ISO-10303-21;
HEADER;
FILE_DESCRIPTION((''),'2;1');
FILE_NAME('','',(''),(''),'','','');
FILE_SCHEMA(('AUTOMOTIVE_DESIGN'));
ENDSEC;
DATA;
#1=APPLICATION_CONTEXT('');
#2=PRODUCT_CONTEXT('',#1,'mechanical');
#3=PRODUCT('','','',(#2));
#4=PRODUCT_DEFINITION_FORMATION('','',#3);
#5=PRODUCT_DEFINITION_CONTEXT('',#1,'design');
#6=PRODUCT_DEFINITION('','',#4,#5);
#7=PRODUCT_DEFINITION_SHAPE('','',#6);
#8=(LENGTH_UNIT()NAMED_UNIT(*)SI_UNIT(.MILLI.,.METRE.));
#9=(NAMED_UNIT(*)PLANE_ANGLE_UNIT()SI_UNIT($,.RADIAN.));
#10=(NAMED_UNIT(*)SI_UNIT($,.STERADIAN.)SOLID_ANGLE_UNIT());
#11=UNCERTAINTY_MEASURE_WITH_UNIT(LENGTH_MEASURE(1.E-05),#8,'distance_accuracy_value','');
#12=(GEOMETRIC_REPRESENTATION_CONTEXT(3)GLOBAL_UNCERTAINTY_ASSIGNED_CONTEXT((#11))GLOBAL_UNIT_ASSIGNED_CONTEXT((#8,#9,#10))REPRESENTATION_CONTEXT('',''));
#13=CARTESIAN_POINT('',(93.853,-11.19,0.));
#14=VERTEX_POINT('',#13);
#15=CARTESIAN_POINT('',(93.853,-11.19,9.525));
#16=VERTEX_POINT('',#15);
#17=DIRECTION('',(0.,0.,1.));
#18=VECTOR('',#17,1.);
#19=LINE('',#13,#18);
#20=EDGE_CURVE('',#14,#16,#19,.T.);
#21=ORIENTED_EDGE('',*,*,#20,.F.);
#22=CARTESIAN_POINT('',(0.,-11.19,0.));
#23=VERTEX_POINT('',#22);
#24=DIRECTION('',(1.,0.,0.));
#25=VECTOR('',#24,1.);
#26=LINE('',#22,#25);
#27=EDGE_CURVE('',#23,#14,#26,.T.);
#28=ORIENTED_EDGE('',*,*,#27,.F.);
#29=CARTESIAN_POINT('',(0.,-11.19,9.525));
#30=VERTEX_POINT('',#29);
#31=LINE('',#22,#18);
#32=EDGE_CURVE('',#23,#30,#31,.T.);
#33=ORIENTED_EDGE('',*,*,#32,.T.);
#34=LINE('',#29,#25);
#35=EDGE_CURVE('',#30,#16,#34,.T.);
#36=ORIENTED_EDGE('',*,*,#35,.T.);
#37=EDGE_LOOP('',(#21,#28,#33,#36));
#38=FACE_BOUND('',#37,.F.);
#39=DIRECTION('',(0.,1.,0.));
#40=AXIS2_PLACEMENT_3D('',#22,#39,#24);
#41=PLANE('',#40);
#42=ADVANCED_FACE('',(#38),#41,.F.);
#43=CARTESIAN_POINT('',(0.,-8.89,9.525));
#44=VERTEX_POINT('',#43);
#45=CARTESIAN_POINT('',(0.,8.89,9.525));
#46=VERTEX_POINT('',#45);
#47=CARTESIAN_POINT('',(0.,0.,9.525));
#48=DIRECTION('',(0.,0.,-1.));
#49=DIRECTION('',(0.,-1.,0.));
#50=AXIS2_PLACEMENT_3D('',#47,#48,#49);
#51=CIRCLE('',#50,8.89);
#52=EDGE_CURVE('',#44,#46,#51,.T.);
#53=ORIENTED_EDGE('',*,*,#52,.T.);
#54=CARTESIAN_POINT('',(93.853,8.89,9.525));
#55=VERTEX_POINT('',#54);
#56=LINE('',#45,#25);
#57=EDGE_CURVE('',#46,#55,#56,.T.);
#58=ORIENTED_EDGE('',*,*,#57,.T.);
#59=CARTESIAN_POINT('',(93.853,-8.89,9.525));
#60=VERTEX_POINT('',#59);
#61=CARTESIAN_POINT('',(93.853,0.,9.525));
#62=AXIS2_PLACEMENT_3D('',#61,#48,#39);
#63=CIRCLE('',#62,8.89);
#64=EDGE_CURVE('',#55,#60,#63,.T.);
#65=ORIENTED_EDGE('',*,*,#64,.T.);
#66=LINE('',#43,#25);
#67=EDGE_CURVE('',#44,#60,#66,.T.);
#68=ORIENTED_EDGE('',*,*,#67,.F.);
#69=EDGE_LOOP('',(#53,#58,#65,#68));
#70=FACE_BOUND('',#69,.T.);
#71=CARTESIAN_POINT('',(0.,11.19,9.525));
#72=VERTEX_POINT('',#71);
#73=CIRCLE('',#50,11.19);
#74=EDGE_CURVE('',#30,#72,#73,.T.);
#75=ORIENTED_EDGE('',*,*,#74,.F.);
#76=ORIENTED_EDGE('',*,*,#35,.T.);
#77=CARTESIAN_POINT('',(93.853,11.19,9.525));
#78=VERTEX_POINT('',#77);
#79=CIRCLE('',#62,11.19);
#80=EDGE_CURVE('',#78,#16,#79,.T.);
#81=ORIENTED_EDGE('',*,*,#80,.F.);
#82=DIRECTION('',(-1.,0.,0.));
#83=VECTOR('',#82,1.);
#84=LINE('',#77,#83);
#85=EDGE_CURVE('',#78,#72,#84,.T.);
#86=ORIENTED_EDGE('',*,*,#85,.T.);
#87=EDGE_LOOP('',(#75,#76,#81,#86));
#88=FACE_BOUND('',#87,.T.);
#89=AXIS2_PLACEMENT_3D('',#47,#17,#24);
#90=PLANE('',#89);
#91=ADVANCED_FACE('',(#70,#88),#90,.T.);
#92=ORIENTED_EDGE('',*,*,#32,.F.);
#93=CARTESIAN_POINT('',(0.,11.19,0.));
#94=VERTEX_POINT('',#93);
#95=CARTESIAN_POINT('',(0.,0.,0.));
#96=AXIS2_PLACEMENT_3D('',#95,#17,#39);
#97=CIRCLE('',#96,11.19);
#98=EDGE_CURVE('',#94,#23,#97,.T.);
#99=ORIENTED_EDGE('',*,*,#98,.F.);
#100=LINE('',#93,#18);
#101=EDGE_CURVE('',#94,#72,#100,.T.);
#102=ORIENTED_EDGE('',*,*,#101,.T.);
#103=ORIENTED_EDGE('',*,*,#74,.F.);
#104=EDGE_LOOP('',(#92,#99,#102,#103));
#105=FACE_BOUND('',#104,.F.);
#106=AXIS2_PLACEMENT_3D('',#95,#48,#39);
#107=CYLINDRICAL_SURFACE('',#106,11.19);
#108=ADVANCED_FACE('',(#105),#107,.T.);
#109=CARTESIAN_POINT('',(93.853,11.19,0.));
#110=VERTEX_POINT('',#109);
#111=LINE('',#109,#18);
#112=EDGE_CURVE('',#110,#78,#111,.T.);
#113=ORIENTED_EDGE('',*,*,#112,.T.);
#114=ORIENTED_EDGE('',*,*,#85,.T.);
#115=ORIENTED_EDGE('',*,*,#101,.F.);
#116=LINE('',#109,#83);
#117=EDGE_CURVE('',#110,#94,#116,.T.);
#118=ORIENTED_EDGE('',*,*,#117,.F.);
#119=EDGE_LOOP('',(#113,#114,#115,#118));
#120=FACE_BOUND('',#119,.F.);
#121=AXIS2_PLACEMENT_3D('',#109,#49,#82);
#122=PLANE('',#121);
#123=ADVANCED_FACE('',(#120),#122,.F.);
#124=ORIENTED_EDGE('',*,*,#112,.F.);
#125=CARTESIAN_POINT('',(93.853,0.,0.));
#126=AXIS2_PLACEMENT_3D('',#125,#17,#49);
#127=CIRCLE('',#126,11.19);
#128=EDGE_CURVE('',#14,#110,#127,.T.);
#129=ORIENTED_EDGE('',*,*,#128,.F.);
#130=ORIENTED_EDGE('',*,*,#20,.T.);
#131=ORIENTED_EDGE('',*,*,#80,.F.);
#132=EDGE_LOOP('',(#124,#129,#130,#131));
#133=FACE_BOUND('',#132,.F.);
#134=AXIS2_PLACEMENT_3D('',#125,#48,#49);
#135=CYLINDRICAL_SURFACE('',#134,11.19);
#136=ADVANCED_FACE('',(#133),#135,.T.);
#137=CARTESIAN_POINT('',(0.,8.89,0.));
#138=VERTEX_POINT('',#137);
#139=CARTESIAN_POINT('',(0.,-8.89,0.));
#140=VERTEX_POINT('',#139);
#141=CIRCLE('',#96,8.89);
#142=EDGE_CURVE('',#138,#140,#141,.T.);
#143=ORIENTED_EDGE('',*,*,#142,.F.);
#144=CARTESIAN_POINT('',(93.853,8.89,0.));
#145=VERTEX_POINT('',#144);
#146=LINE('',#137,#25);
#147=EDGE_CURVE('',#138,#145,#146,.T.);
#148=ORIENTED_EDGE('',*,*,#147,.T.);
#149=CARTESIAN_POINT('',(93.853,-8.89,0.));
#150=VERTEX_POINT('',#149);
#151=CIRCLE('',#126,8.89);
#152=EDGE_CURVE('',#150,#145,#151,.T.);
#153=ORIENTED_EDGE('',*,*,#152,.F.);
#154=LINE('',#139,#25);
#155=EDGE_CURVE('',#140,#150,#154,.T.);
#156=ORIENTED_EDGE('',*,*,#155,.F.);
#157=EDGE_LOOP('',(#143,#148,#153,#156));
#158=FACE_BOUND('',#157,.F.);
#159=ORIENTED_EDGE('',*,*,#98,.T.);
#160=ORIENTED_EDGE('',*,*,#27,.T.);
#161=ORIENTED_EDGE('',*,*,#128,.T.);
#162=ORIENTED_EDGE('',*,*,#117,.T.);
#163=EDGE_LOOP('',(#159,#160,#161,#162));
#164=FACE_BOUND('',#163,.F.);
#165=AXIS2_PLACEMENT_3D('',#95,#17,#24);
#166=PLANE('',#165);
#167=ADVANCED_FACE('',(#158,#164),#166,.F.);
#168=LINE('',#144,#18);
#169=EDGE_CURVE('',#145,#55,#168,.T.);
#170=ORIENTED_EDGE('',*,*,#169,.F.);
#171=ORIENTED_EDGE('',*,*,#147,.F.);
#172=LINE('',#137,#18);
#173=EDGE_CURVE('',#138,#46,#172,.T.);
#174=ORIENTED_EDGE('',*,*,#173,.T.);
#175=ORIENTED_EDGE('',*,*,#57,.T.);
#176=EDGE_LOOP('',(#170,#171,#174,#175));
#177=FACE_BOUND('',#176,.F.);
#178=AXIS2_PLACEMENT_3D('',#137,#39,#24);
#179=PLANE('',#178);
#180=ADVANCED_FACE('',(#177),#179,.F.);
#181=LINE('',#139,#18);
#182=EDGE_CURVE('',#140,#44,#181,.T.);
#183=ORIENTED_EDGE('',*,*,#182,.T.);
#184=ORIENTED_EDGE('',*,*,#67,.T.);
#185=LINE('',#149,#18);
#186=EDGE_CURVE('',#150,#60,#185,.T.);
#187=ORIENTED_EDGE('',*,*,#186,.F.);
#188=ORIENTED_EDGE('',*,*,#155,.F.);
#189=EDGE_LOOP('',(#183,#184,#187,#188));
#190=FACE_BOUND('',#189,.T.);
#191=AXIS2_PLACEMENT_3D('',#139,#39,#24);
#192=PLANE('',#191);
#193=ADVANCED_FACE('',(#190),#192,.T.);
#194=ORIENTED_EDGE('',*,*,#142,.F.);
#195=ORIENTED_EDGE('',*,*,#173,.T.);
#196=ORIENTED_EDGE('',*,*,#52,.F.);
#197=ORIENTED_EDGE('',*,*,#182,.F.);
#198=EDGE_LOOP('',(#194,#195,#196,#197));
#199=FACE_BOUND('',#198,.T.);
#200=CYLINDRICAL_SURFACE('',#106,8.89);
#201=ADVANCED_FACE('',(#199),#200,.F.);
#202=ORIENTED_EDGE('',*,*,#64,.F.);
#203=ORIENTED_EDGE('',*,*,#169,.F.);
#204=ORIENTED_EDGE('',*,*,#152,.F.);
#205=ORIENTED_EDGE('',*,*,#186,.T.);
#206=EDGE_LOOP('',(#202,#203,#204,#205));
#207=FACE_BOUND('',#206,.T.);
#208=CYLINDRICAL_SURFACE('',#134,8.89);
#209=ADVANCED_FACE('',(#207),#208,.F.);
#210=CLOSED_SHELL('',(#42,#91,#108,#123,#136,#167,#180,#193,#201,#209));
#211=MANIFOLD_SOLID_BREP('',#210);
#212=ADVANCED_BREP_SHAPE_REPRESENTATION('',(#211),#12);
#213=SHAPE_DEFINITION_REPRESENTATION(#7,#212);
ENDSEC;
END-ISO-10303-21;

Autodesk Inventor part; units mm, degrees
ref_plane "YZ Plane" through (0, 0, 0) normal (1, 0, 0) x (0, 1, 0)
ref_plane "XZ Plane" through (0, 0, 0) normal (0, 1, 0) x (-1, 0, 0)
ref_plane "XY Plane" through (0, 0, 0) normal (0, 0, 1) x (1, 0, 0)
sketch "Sketch1" plane through (0, 0, 0) normal (0, 0, 1) x (1, 0, 0)
  line L0 (0, 15.666) -> (0, -15.666) projected
  line L1 (-34.4366, 0) -> (128.2896, 0) projected
  line L2 (0, 0) -> (93.853, 0) construction
  line L3 (0, 8.89) -> (93.853, 8.89)
  line L4 (0, -8.89) -> (93.853, -8.89)
  arc A0 (0, 8.89) -> (0, -8.89) centre (0, 0) ccw
  arc A1 (93.853, -8.89) -> (93.853, 8.89) centre (93.853, 0) ccw
  line L5 (93.853, 11.19) -> (0, 11.19)
  arc A2 (0, 11.19) -> (0, -11.19) centre (0, 0) ccw
  line L6 (0, -11.19) -> (93.853, -11.19)
  arc A3 (93.853, -11.19) -> (93.853, 11.19) centre (93.853, 0) ccw
  dimension "d0" = 93.853
  dimension "d5" = 8.89
  dimension "d6" = 8.89
  dimension "d7" = 2.3
extrude "Extrusion1" add sketch "Sketch1" along normal blind 9.525 contours L5 A3 L1 A1 L3 L0 | L0 A0 L1 A2 | L1 A0 L0 A2 | A3 L6 L0 L4 A1 L1
properties part number "BBP MCMASTER 1679K116_BELT"
